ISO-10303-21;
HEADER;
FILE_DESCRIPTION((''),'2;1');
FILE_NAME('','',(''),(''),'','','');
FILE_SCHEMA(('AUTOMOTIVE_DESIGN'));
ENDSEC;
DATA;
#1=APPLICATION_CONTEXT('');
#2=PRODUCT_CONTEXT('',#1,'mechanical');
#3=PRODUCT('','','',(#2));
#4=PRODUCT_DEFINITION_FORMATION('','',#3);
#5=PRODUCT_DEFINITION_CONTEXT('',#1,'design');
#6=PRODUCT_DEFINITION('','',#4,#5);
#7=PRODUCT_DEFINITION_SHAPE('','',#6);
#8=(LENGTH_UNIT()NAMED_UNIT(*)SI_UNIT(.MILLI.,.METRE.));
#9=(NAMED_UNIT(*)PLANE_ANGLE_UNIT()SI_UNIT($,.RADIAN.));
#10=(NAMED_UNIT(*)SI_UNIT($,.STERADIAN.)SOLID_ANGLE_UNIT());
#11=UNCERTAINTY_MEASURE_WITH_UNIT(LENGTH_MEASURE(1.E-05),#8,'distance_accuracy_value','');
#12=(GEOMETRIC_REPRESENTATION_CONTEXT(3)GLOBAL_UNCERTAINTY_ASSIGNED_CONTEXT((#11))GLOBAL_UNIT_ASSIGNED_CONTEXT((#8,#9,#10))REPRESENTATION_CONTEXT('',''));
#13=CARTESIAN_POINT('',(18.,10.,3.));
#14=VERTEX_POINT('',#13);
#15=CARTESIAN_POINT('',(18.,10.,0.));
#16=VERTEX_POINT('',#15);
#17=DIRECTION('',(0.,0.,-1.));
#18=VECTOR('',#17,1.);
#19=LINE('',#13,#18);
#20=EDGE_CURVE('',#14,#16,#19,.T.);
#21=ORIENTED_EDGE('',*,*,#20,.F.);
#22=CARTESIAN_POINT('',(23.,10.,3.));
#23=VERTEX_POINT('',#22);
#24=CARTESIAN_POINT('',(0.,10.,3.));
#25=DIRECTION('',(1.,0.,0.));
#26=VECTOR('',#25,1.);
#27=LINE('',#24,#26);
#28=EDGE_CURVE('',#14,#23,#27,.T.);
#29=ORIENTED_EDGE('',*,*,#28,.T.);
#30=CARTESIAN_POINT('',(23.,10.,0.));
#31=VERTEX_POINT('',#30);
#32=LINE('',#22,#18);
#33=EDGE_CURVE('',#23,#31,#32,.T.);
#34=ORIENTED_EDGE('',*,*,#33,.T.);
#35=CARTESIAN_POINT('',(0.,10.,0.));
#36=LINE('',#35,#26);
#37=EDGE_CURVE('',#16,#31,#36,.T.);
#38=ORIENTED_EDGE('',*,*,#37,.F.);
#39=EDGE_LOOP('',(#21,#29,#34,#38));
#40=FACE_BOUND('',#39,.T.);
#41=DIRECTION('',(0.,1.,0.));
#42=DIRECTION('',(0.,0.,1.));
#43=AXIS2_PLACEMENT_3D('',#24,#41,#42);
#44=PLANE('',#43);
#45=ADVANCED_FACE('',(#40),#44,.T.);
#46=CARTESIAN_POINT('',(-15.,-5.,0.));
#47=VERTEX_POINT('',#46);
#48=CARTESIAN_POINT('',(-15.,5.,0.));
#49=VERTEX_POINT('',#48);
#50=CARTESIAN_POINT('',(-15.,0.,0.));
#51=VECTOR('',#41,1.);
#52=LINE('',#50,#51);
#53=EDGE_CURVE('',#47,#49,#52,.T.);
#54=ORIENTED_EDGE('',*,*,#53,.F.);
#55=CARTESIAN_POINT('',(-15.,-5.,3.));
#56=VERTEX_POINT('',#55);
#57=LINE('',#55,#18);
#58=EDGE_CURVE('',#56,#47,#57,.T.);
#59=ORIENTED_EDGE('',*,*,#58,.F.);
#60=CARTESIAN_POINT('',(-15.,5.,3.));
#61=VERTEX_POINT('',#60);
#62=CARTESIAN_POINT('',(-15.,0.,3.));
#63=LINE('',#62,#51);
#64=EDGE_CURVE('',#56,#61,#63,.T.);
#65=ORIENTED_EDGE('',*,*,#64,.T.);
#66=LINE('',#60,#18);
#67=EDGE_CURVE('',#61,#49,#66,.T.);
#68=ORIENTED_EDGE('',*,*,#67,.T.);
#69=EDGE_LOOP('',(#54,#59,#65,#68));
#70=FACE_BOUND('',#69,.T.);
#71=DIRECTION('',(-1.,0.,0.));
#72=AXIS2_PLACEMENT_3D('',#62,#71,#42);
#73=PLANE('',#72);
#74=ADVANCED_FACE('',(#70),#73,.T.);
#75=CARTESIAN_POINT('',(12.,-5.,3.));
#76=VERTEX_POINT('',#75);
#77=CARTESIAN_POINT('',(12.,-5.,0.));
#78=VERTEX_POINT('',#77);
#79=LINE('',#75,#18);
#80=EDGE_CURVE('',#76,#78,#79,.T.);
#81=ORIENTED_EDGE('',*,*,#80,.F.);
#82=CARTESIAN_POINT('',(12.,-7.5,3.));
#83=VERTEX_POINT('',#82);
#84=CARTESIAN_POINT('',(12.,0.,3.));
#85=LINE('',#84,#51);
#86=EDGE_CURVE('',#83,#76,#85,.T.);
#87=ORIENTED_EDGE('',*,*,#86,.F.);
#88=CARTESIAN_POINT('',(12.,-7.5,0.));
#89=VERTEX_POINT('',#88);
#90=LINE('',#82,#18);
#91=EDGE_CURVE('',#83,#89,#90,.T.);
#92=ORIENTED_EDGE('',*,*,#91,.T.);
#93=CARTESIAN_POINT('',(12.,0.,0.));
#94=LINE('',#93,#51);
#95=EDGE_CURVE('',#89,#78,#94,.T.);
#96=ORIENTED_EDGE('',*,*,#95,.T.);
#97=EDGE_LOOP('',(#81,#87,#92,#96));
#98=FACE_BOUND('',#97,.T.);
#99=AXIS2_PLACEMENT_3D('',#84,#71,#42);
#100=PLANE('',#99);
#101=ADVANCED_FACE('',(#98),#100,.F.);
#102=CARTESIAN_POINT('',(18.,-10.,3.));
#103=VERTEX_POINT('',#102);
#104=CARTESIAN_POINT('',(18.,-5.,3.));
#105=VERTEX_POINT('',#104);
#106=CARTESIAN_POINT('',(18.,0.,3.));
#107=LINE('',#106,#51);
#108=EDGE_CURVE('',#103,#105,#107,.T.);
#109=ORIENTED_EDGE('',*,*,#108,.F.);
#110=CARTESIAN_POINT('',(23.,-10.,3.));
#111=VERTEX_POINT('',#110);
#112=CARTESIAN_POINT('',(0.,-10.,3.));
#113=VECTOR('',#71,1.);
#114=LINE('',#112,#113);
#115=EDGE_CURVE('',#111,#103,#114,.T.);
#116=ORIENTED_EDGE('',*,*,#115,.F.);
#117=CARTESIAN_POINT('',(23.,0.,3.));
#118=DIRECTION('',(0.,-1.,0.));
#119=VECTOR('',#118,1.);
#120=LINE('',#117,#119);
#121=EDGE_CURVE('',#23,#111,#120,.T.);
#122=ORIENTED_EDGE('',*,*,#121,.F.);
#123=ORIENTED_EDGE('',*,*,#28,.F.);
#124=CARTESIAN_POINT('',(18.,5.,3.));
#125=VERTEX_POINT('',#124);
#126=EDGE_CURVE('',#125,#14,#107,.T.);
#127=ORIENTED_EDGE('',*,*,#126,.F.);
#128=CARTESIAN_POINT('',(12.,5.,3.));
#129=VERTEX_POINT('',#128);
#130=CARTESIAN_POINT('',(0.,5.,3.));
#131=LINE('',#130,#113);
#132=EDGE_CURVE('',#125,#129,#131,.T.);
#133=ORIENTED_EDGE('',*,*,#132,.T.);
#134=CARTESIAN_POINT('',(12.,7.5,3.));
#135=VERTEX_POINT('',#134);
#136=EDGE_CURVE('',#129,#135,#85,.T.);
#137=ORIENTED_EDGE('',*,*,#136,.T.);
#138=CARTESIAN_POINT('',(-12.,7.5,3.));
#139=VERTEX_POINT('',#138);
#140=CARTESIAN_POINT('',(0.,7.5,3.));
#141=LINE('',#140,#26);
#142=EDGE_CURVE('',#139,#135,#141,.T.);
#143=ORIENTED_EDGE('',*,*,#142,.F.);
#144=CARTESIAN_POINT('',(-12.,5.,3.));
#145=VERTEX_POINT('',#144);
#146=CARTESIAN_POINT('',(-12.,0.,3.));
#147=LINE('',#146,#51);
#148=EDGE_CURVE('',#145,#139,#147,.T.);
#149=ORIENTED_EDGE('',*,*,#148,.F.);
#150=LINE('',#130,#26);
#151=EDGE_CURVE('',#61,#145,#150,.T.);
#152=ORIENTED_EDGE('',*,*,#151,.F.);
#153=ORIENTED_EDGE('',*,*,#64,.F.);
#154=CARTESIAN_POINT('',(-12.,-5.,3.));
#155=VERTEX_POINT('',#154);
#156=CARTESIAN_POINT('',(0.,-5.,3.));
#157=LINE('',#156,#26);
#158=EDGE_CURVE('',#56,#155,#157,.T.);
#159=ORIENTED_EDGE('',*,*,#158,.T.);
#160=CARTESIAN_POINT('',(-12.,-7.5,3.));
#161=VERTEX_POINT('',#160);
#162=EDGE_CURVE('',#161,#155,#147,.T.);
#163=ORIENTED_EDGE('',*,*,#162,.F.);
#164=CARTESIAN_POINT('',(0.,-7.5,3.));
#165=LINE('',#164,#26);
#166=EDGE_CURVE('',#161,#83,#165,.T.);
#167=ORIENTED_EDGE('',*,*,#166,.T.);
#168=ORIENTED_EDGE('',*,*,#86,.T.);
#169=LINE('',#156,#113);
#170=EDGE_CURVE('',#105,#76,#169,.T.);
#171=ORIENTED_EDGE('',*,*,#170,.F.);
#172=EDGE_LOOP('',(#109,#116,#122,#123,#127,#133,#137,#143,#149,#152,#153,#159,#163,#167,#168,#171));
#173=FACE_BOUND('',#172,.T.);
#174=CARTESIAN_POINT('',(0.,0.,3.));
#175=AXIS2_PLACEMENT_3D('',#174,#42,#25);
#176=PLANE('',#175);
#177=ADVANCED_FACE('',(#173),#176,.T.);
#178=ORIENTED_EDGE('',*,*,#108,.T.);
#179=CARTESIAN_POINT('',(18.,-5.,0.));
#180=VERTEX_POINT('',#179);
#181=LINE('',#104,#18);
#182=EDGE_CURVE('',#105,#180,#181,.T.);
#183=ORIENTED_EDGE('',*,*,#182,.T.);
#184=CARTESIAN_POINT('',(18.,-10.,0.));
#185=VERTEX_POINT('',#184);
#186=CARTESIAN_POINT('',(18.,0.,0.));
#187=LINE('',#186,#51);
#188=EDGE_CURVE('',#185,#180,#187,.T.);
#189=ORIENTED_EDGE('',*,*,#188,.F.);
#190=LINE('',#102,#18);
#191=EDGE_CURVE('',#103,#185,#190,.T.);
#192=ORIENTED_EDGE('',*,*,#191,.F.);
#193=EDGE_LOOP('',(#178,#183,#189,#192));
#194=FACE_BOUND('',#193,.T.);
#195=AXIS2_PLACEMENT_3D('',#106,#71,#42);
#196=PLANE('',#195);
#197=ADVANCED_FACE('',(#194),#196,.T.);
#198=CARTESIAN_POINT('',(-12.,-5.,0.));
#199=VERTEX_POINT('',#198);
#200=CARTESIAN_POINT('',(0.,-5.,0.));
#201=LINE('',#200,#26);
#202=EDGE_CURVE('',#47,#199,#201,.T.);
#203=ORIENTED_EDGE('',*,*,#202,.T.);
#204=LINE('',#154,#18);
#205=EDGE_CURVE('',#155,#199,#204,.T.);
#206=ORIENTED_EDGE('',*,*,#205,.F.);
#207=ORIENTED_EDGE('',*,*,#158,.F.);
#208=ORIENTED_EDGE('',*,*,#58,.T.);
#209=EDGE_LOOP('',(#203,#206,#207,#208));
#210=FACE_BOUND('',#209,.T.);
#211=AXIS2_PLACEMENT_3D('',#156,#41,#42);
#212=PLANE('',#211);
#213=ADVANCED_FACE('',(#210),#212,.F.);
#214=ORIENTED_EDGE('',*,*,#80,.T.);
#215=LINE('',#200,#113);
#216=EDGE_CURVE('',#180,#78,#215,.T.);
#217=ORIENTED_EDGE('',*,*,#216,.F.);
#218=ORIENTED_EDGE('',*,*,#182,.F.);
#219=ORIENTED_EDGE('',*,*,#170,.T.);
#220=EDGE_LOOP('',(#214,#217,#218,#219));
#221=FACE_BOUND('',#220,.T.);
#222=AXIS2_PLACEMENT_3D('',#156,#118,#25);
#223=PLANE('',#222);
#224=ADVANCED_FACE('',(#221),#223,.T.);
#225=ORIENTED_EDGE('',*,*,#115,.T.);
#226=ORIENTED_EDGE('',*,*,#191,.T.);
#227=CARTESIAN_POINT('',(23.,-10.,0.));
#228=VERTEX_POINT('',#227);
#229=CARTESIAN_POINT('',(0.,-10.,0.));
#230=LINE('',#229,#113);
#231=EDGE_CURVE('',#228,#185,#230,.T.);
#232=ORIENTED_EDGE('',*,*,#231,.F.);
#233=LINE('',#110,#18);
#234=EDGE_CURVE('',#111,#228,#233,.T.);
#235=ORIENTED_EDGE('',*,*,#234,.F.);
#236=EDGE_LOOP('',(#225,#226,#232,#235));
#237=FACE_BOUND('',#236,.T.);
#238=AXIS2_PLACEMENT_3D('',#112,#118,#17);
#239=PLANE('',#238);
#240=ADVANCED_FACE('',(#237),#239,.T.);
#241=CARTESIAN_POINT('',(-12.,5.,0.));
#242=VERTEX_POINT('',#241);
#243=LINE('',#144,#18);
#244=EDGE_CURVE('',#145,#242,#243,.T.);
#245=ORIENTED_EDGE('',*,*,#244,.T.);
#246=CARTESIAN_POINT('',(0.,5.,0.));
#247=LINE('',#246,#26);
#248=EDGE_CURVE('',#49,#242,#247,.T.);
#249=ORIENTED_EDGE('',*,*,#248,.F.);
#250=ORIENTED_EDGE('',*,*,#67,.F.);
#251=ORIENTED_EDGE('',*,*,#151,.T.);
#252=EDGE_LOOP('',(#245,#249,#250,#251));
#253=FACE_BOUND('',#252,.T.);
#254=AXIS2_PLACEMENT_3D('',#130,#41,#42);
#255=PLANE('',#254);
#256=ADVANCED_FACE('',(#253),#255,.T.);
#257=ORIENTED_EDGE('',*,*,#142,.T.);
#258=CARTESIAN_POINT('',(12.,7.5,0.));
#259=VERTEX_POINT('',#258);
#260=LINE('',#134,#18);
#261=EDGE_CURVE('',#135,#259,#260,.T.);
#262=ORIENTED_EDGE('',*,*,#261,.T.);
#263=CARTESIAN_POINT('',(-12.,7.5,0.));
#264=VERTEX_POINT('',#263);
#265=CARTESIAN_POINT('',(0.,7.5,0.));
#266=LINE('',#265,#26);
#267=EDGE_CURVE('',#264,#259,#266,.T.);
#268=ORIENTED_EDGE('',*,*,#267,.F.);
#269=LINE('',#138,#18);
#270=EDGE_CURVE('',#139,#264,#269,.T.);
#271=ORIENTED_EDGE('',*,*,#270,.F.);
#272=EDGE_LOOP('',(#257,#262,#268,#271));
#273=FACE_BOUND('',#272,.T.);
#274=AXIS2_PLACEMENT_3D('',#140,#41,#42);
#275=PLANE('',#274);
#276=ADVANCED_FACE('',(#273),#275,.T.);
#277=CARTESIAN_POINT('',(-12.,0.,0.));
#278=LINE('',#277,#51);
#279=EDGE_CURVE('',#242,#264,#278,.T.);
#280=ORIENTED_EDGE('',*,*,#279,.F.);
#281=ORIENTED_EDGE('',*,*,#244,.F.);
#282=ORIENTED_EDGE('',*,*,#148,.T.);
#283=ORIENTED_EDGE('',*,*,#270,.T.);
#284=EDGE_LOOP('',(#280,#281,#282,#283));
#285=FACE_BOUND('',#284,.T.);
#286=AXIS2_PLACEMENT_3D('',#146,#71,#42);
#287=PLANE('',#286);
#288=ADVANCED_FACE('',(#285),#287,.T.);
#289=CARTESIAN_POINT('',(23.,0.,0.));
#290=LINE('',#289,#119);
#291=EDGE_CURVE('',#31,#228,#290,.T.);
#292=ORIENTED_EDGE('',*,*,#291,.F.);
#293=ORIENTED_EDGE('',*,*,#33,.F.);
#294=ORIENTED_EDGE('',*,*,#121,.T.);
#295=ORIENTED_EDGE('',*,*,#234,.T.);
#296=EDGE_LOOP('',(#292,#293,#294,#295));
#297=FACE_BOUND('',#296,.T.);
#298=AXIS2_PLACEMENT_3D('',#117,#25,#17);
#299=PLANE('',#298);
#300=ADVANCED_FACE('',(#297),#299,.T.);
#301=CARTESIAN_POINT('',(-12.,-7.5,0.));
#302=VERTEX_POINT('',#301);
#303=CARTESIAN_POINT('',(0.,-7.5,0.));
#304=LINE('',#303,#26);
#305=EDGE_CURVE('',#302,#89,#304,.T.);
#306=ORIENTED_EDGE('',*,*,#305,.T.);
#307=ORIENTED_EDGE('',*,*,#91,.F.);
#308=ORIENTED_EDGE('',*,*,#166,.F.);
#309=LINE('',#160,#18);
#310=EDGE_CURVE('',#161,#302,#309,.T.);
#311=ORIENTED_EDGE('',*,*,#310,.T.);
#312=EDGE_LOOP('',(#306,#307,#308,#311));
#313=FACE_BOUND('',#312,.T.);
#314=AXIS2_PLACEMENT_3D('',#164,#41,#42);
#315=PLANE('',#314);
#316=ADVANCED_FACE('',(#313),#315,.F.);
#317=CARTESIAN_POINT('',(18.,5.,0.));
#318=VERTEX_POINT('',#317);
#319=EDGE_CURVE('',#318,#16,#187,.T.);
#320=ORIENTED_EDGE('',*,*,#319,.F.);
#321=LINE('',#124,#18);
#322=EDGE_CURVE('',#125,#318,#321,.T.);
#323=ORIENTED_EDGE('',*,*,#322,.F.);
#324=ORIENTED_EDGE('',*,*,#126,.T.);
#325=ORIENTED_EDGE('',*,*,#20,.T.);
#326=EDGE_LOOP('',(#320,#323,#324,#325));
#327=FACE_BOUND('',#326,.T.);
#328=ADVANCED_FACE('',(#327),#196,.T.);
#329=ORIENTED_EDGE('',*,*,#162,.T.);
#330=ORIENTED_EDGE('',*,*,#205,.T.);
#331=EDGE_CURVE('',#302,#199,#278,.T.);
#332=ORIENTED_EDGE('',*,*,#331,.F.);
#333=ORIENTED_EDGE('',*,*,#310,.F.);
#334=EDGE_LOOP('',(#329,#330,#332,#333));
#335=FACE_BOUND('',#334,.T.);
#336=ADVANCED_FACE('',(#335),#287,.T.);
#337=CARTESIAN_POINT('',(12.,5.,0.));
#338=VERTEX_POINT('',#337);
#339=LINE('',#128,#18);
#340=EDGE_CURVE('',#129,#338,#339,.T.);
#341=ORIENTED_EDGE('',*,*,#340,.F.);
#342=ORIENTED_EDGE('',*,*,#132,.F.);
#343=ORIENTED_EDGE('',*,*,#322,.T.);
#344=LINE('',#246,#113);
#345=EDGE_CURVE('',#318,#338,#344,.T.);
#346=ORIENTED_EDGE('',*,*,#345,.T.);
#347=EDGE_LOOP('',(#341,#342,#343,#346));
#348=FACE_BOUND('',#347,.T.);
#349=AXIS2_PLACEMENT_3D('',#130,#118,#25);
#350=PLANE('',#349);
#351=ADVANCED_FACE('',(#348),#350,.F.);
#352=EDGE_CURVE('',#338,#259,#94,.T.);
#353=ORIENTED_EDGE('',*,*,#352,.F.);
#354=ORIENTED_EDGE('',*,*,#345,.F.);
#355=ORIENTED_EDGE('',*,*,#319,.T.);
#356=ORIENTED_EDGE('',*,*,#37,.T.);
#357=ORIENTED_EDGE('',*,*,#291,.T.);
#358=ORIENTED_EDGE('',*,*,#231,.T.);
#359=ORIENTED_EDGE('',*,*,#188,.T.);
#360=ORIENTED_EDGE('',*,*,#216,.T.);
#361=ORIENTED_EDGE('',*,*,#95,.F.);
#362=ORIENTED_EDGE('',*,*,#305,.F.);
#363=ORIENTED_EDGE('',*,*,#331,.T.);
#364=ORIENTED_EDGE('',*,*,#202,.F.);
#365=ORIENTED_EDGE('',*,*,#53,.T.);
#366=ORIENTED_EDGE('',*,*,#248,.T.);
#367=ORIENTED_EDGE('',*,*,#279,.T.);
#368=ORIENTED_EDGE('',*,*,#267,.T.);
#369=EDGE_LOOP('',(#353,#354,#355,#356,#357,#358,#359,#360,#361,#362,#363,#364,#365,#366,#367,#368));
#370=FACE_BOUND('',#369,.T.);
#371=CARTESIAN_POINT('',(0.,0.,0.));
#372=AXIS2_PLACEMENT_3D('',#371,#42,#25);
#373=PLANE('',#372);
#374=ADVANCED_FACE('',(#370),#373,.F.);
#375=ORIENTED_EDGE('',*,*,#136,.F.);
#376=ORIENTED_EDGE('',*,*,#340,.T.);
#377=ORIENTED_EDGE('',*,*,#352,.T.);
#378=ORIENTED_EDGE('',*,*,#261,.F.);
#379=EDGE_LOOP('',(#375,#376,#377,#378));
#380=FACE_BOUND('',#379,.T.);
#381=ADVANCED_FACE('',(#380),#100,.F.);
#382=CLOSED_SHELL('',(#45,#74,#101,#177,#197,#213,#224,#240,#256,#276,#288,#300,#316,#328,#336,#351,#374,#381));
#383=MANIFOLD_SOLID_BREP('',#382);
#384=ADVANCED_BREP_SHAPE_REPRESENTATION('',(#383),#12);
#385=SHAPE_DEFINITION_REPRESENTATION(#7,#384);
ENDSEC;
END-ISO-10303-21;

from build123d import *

# Parameters (mm, degrees)
ESBO_O1_W                = 3
ESBO_O1_H                = 10
ESBO_O1_W_2              = 6
RESSALTO_EXTRUS_O1_DEPTH = 3


with BuildPart() as part:
    # Esboço1 → Ressalto-extrusão1 (new body)
    with BuildSketch(Plane.XY):
        Polygon((-12, -5), (-12, -7.5), (12, -7.5), (12, -5), (12, 5), (12, 7.5), (-12, 7.5), (-12, 5), align=None)
        with Locations((-13.5, 0)):
            Rectangle(ESBO_O1_W, ESBO_O1_H)
        with Locations((15, 0)):
            Rectangle(ESBO_O1_W_2, ESBO_O1_H)
        Polygon((18, 5), (18, -5), (18, -10), (23, -10), (23, 10), (18, 10), align=None)
    extrude(amount=RESSALTO_EXTRUS_O1_DEPTH)


solid = part.part
